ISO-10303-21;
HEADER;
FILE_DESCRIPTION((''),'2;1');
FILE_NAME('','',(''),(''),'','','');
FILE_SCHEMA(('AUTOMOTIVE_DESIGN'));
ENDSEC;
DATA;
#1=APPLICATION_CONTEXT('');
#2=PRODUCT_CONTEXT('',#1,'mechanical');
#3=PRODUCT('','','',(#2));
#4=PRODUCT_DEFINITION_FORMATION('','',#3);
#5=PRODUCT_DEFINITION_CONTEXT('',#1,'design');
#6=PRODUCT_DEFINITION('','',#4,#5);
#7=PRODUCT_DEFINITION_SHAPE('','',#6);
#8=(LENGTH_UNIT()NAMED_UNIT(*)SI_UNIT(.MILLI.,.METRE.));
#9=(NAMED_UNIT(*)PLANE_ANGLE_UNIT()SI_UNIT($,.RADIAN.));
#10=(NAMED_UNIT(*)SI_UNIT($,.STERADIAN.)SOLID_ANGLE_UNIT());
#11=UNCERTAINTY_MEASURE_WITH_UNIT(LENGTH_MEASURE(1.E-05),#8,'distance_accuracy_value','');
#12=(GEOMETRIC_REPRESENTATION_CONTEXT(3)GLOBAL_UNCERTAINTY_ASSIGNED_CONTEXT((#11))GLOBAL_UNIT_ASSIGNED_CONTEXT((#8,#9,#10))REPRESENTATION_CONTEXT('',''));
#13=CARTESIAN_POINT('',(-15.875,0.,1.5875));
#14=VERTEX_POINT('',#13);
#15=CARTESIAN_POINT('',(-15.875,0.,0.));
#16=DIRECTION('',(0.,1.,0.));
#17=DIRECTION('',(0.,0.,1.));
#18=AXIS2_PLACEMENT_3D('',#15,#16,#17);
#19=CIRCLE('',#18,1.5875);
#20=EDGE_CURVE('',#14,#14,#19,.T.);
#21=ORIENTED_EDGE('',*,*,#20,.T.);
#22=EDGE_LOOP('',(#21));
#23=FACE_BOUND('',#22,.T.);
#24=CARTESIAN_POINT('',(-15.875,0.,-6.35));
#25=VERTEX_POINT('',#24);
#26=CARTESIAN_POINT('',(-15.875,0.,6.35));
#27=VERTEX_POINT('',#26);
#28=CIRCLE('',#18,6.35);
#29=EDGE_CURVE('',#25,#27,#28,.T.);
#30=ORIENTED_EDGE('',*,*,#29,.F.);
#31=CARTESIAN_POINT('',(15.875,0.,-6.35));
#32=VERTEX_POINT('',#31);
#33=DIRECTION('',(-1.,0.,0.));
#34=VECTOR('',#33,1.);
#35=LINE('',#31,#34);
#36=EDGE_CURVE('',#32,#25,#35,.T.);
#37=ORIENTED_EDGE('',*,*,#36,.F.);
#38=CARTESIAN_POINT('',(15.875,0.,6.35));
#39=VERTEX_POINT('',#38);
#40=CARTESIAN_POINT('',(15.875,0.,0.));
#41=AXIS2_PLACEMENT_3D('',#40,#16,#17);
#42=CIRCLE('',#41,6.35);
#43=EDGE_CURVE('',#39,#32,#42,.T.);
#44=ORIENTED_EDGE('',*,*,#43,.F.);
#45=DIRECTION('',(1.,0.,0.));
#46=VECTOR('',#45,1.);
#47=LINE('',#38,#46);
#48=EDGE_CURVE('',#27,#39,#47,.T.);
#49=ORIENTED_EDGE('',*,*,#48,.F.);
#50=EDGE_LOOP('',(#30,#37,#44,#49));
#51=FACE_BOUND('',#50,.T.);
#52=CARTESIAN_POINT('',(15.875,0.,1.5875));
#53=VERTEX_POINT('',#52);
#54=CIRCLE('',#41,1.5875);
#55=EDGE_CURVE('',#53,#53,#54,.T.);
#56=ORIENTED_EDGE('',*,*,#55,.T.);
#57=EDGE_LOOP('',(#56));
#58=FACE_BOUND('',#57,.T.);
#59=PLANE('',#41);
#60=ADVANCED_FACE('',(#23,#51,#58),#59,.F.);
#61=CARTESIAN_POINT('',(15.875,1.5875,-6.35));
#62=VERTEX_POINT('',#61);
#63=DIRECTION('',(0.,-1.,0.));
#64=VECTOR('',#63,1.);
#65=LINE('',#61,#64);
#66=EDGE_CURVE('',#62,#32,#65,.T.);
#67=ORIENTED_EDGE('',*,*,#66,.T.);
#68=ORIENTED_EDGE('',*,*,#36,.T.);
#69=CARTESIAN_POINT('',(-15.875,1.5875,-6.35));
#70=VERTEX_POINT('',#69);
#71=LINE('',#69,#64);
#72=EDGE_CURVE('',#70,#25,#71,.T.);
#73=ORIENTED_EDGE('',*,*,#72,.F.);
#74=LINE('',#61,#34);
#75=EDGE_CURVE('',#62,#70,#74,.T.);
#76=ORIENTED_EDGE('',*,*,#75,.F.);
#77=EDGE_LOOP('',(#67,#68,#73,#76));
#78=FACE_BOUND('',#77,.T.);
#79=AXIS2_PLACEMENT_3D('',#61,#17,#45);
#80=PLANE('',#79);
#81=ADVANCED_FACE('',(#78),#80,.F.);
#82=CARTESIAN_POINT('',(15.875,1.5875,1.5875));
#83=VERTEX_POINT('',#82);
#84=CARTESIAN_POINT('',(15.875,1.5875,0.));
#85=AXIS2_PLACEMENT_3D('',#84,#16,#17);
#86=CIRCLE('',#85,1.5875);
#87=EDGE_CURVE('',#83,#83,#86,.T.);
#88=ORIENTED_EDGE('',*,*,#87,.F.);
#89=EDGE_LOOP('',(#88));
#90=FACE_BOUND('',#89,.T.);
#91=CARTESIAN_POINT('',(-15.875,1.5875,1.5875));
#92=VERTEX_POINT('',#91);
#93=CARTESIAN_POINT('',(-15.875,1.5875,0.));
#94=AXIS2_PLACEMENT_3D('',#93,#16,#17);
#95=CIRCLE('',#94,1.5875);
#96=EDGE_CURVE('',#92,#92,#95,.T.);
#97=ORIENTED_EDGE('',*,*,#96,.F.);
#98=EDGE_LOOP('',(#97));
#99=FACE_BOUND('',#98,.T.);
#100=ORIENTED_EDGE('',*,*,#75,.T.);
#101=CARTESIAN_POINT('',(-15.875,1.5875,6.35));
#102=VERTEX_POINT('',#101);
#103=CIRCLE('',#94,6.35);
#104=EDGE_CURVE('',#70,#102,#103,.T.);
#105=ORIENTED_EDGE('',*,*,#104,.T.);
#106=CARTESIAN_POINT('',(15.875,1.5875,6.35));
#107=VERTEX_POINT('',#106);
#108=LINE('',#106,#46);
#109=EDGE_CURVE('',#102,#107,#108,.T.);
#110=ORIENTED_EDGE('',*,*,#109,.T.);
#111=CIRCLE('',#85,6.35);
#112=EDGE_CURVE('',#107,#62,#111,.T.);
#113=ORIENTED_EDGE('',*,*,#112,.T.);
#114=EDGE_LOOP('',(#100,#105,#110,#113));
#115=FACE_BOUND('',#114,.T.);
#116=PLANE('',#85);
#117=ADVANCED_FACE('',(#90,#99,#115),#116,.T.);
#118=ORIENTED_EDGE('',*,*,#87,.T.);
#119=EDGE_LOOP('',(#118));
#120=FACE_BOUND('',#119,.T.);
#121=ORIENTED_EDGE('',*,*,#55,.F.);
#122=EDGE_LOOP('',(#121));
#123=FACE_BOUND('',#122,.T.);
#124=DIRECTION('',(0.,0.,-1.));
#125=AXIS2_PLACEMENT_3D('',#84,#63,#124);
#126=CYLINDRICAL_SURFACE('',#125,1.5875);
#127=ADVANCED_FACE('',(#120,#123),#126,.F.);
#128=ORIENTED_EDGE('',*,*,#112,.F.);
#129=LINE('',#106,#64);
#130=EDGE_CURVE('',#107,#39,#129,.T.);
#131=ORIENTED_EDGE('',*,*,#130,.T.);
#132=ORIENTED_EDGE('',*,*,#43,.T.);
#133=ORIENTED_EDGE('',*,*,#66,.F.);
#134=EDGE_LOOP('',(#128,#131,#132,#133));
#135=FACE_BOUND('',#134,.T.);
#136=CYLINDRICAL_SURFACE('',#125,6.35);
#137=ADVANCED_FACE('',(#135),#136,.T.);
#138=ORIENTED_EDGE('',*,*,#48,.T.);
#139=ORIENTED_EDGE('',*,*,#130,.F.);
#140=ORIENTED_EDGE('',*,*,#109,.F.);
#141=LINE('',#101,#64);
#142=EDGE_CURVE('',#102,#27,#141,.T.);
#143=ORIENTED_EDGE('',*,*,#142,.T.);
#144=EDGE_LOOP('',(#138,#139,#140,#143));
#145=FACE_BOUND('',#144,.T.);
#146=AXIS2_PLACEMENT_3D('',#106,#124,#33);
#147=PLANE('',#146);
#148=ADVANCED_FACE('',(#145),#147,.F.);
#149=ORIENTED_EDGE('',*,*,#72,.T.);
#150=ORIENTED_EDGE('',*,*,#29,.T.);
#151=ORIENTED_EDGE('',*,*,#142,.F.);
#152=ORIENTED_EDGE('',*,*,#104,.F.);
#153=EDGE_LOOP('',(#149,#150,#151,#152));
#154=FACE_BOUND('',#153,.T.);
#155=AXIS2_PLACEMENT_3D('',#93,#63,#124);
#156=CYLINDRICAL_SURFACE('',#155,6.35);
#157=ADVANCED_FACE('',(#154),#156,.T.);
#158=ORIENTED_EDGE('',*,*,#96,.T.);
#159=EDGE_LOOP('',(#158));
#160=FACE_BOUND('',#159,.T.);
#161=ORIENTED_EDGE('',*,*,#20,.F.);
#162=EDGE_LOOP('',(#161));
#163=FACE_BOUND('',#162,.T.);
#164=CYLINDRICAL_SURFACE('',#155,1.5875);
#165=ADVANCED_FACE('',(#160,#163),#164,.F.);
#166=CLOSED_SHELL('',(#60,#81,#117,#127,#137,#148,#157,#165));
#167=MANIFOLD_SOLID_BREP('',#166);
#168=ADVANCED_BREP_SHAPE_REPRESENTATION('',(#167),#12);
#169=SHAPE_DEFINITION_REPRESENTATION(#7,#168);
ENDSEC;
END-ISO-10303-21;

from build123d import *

# Parameters (mm, degrees)
SKETCH1_R           = 1.5875
BOSS_EXTRUDE1_DEPTH = 1.5875


with BuildPart() as part:
    # Sketch1 → Boss-Extrude1 (new body)
    with BuildSketch(Plane(origin=(0, 0, 0), x_dir=(1, 0, 0), z_dir=(0, 1, 0))):
        with BuildLine():
            Line((15.875, -6.35), (-15.875, -6.35))
            ThreePointArc((-15.875, -6.35), (-22.225, 0), (-15.875, 6.35))
            Line((-15.875, 6.35), (15.875, 6.35))
            ThreePointArc((15.875, 6.35), (22.225, 0), (15.875, -6.35))
        make_face()
        with Locations(Location((-15.875, 0, 0), (0, 0, 270))):
            Circle(SKETCH1_R, mode=Mode.SUBTRACT)
        with Locations(Location((15.875, 0, 0), (0, 0, 270))):
            Circle(SKETCH1_R, mode=Mode.SUBTRACT)
    extrude(amount=BOSS_EXTRUDE1_DEPTH)


solid = part.part
